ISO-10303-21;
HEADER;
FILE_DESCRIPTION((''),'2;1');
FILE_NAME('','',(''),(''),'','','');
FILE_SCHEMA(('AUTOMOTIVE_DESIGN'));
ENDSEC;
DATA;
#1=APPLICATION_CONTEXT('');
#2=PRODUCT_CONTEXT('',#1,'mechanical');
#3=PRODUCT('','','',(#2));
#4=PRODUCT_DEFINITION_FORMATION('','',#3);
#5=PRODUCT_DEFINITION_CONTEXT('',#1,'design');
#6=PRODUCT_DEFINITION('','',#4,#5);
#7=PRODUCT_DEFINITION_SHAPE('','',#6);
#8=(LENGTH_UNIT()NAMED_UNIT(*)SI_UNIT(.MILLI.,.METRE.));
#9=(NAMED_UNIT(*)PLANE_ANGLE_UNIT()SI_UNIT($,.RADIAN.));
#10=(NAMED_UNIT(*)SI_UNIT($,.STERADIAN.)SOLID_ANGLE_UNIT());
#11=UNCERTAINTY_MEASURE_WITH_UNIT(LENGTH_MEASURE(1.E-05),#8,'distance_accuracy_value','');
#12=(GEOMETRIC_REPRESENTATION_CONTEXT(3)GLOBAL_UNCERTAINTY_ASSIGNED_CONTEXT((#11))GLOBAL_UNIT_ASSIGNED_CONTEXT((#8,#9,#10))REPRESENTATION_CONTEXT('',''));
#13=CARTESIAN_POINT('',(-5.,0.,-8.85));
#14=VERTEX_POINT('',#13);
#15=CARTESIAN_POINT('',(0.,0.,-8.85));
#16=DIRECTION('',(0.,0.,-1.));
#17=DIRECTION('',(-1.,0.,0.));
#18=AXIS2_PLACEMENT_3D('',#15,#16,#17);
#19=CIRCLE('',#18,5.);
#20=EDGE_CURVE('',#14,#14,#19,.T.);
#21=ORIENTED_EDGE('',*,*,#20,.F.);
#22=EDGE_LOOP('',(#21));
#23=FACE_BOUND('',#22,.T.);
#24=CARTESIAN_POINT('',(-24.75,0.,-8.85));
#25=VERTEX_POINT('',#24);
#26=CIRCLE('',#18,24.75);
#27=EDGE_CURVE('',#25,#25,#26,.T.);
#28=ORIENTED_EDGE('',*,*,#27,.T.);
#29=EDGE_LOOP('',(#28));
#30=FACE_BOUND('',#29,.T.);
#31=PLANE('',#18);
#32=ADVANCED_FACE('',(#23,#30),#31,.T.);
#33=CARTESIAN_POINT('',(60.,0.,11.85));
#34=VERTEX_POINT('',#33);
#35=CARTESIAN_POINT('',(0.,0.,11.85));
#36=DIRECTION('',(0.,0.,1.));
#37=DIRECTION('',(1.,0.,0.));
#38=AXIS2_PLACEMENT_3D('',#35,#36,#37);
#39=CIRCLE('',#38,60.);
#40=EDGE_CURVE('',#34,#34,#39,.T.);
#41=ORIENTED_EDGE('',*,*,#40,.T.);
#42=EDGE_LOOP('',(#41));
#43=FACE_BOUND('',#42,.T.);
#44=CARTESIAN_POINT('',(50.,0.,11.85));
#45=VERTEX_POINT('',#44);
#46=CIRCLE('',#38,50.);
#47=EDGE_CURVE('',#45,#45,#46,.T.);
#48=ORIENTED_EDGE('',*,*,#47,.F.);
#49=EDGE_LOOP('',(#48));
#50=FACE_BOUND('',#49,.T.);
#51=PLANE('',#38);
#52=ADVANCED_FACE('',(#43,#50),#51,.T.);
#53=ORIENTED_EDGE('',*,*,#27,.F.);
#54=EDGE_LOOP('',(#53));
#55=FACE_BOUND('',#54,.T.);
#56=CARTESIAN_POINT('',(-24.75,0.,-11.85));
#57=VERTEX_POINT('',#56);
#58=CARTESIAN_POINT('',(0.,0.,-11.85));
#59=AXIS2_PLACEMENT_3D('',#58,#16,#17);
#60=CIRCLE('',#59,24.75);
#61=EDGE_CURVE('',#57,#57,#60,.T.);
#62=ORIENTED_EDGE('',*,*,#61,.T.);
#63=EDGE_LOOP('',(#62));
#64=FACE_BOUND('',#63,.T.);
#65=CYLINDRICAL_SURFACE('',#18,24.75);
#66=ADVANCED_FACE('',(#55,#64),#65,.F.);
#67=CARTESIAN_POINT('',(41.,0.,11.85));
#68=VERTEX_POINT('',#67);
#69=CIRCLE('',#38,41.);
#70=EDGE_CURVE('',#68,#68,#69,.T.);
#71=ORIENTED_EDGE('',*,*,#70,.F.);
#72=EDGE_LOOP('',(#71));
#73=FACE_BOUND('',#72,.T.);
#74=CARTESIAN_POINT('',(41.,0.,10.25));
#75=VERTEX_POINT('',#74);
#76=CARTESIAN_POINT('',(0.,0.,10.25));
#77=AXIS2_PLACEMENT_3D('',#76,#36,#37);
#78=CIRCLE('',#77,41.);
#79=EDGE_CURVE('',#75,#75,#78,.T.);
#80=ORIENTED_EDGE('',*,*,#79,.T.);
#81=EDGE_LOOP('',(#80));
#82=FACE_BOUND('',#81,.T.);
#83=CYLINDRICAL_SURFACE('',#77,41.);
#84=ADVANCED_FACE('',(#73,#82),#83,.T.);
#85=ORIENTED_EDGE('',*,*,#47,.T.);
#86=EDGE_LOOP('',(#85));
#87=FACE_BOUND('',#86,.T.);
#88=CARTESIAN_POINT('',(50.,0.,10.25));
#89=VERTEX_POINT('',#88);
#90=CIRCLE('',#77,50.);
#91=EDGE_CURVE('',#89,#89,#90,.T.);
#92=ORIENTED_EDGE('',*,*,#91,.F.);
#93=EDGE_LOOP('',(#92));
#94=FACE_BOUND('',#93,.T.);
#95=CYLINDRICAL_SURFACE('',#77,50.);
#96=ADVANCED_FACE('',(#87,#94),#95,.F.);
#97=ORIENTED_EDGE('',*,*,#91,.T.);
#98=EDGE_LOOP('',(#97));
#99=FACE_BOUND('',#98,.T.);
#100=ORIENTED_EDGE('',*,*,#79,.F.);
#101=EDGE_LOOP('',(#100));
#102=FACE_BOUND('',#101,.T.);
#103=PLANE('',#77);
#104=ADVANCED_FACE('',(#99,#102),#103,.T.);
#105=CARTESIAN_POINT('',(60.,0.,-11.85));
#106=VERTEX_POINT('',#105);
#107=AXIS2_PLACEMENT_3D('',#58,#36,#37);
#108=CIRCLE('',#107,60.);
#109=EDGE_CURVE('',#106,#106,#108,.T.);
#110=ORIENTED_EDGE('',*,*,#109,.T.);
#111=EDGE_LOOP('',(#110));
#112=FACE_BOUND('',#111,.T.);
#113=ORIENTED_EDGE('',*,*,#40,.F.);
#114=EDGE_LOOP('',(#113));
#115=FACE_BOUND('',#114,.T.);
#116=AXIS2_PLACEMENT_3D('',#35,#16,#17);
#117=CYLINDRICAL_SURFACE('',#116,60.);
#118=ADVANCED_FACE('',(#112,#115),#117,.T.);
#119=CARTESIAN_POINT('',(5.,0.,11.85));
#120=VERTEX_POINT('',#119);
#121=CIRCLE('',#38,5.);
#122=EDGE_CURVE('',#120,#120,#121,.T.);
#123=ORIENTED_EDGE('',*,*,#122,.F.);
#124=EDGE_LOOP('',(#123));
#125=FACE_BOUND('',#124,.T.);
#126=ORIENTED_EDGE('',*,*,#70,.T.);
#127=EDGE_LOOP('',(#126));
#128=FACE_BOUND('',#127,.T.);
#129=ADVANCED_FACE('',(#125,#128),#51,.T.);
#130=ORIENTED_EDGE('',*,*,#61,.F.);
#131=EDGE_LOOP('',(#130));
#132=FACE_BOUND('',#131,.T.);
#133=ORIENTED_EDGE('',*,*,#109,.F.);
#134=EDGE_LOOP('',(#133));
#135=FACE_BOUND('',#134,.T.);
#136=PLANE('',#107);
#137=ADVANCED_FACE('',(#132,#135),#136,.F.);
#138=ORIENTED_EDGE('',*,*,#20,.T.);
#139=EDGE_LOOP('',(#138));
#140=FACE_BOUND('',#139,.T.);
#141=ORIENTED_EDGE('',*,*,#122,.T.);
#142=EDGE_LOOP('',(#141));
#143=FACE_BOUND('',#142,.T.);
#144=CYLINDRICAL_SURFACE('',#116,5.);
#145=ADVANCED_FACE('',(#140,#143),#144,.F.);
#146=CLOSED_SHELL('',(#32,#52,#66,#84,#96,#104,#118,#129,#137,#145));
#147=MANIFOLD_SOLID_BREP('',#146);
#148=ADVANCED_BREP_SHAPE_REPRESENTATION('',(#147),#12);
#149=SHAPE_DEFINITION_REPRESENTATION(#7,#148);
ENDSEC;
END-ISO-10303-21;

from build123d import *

# Parameters (mm, degrees)
SKETCH1_R           = 60
SKETCH1_R_2         = 50
SKETCH1_R_3         = 41
SKETCH1_R_4         = 5
BOSS_EXTRUDE1_DEPTH = 11.85
SKETCH2_R           = 50
SKETCH2_R_2         = 41
CUT_EXTRUDE1_DEPTH  = 1.6
SKETCH3_R           = 24.75
CUT_EXTRUDE2_DEPTH  = 3


with BuildPart() as part:
    # Sketch1 → Boss-Extrude1 (new, symmetric)
    # profile 1 of 3: a face of its own
    with BuildSketch(Plane.XY):
        Circle(SKETCH1_R)
        Circle(SKETCH1_R_2, mode=Mode.SUBTRACT)
    # profile 2 of 3: a face of its own
    with BuildSketch(Plane.XY):
        Circle(SKETCH1_R_2)
        Circle(SKETCH1_R_3, mode=Mode.SUBTRACT)
    # profile 3 of 3: a face of its own
    with BuildSketch(Plane.XY):
        Circle(SKETCH1_R_3)
        Circle(SKETCH1_R_4, mode=Mode.SUBTRACT)
    extrude(amount=BOSS_EXTRUDE1_DEPTH, both=True)

    # Sketch2 → Cut-Extrude1 (cut)
    with BuildSketch(Plane.XY.offset(11.85)):
        Circle(SKETCH2_R)
        Circle(SKETCH2_R_2, mode=Mode.SUBTRACT)
    extrude(amount=-CUT_EXTRUDE1_DEPTH, mode=Mode.SUBTRACT)

    # Sketch3 → Cut-Extrude2 (cut)
    with BuildSketch(Plane(origin=(0, 0, -11.85), x_dir=(-1, 0, 0), z_dir=(0, 0, -1))):
        Circle(SKETCH3_R)
    extrude(amount=-CUT_EXTRUDE2_DEPTH, mode=Mode.SUBTRACT)


solid = part.part
